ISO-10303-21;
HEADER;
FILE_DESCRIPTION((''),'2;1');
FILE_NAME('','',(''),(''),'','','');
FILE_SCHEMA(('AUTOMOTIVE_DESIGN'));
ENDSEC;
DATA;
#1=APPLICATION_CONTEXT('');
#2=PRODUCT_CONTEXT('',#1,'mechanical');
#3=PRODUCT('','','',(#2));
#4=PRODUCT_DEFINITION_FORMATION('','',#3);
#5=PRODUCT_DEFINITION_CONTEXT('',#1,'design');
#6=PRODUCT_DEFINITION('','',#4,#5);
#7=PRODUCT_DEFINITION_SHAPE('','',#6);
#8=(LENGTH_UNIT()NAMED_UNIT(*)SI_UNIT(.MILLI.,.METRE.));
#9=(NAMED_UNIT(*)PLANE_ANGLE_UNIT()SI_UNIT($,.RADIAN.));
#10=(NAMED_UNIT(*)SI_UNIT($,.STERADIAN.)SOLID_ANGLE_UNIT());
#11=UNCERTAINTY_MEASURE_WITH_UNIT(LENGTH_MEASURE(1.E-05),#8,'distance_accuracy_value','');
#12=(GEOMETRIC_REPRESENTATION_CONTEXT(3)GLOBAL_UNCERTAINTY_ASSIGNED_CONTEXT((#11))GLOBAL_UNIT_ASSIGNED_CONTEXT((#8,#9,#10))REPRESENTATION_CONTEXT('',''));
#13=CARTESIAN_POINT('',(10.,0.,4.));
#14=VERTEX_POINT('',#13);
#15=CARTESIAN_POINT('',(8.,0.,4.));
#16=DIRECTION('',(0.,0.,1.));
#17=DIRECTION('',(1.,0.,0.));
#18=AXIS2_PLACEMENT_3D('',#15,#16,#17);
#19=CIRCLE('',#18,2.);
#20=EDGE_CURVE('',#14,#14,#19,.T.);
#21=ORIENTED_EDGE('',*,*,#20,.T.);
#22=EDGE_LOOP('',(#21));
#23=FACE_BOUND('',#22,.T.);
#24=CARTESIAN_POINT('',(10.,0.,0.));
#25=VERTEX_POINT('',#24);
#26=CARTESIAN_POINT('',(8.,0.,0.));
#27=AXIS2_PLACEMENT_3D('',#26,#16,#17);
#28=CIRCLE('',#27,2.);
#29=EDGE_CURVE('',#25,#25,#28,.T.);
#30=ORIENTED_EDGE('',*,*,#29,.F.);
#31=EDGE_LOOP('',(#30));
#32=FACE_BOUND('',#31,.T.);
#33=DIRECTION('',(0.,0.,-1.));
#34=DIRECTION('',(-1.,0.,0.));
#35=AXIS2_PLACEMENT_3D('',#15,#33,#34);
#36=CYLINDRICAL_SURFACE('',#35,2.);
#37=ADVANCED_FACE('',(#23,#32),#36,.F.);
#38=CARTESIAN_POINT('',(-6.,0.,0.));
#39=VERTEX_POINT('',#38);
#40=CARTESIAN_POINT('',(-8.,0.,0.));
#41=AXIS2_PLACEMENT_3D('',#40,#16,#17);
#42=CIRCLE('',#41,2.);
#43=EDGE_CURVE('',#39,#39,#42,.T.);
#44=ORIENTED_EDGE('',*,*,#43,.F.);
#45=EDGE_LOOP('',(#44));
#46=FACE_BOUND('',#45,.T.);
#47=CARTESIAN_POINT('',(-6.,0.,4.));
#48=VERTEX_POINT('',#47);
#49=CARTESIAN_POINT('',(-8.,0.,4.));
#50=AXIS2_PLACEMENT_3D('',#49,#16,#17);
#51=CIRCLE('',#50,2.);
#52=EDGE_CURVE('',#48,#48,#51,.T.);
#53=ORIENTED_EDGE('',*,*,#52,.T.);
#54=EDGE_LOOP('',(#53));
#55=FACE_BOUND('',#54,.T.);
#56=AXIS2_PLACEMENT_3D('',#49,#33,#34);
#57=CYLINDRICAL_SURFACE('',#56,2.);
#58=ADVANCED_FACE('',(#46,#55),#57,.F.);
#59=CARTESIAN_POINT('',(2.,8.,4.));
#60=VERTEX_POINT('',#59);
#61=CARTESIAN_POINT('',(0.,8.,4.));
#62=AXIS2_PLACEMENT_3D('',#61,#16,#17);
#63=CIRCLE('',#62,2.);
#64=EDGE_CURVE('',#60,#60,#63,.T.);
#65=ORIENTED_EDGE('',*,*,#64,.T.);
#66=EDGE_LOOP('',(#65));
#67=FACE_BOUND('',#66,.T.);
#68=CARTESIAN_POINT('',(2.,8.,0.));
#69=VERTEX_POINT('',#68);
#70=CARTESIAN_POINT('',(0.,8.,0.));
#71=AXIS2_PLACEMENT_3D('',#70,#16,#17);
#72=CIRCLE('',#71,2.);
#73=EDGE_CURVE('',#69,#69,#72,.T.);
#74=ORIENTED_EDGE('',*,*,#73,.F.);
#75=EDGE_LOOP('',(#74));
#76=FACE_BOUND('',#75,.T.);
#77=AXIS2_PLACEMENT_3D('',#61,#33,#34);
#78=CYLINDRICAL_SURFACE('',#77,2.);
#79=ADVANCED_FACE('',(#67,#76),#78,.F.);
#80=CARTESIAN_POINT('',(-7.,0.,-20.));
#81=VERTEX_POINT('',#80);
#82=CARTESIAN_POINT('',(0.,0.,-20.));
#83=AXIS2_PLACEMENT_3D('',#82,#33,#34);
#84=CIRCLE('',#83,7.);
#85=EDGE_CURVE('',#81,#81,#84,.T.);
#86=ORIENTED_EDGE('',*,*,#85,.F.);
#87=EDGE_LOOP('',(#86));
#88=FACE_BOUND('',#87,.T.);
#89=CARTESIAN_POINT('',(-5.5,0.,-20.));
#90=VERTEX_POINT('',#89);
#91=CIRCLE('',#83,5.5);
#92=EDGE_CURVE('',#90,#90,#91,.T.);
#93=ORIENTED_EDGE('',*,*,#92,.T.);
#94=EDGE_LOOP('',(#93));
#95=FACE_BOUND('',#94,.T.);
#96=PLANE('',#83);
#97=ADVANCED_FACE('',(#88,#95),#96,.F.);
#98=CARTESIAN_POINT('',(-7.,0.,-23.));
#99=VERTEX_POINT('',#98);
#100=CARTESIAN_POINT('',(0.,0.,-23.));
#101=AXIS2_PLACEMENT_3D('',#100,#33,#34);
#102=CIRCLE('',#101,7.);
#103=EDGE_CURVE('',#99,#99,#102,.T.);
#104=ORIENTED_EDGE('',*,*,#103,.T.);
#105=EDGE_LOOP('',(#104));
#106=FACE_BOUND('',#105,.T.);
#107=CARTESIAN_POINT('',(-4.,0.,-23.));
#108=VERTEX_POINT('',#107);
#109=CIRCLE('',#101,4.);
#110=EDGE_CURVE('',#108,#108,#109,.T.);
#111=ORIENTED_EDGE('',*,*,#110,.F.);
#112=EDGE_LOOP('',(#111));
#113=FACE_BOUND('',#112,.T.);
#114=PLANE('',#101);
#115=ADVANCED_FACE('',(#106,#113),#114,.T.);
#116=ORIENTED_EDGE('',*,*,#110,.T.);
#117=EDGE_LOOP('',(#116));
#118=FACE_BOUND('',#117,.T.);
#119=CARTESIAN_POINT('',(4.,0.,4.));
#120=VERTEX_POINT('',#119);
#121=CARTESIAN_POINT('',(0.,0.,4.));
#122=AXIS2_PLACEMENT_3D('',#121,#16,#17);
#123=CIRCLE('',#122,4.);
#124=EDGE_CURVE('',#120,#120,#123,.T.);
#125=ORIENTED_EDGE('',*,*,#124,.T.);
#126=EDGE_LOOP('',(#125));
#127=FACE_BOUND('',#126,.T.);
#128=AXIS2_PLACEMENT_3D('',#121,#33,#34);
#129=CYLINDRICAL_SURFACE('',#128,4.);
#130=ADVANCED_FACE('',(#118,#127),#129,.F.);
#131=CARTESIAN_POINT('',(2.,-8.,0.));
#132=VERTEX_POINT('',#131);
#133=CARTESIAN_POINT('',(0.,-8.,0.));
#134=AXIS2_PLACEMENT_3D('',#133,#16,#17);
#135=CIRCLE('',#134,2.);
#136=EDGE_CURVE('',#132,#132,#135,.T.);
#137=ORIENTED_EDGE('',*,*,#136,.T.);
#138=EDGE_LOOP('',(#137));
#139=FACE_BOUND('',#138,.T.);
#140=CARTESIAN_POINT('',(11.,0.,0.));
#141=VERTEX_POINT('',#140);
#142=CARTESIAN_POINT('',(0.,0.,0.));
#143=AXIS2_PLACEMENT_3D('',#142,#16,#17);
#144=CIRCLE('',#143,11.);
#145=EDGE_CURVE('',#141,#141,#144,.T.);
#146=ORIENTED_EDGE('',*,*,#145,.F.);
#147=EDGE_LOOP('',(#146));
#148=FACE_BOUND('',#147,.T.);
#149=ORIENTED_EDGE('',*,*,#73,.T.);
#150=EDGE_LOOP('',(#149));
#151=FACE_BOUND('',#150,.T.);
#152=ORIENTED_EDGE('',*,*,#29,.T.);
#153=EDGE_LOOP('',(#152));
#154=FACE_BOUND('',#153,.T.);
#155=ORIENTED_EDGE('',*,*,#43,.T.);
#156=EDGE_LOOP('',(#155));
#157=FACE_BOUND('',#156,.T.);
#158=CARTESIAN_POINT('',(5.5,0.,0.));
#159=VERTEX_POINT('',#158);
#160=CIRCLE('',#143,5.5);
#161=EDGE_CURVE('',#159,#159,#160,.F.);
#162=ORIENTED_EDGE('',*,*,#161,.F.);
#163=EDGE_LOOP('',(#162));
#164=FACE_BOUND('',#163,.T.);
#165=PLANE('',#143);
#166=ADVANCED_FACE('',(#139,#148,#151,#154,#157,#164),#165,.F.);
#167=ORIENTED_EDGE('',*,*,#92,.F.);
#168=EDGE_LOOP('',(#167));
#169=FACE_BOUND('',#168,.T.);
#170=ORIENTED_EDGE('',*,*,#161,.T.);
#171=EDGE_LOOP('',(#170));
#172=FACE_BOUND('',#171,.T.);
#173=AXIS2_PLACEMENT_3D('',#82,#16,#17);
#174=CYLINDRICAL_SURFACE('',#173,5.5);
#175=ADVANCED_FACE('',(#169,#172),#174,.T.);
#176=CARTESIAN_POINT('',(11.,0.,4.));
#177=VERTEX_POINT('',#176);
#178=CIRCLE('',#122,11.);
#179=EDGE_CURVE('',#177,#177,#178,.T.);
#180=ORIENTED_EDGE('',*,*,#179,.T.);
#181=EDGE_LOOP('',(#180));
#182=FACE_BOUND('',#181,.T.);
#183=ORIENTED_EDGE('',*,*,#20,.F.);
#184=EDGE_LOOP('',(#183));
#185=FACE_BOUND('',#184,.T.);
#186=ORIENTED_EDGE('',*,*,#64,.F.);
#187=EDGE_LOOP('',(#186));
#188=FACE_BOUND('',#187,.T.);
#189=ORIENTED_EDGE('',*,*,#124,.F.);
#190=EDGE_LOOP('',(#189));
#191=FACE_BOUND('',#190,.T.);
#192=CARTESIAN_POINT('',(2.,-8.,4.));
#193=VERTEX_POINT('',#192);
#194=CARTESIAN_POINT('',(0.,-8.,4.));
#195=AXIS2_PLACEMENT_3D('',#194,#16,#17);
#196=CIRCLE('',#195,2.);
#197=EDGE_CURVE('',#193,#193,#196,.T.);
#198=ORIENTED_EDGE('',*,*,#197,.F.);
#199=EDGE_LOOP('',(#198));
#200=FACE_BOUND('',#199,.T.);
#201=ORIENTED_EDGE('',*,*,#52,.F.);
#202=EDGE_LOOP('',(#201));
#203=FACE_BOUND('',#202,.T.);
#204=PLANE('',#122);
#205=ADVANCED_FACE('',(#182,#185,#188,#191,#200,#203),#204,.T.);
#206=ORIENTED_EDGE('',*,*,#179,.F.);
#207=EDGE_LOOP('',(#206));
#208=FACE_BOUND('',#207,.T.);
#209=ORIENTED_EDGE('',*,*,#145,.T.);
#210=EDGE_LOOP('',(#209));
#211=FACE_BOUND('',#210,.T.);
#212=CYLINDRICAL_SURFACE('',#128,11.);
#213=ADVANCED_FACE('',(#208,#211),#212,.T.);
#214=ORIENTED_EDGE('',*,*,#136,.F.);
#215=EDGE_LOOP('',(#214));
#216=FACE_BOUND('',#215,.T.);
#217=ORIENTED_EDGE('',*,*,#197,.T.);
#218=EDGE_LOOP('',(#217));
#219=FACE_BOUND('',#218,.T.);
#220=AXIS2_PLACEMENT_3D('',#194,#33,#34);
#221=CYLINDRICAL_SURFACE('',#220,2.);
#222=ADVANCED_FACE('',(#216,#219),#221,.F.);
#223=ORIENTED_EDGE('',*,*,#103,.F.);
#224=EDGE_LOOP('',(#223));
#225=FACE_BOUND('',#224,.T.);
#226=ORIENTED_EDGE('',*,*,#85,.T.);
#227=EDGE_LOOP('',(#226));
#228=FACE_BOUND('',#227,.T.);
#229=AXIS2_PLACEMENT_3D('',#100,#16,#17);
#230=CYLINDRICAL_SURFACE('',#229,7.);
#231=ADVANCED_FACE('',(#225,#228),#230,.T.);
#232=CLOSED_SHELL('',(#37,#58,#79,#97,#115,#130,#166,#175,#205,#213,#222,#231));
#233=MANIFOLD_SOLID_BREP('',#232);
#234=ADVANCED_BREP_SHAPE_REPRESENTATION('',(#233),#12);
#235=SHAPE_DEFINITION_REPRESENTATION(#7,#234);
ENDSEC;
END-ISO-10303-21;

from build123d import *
from build123d.topology import SkipClean

# Parameters (mm, degrees)
SKETCH_1_R      = 11
SKETCH_1_R_2    = 2
SKETCH_1_R_3    = 4
EXTRUDE_1_DEPTH = 4
EXTRUDE_START   = 20
SKETCH_2_R      = 5.5
SKETCH_2_R_2    = 4
EXTRUDE_2_DEPTH = 20
EXTRUDE_START_2 = 3
SKETCH_3_R      = 7
SKETCH_3_R_2    = 4
EXTRUDE_3_DEPTH = 3


with BuildPart() as part:
    # 草图1 → 凸台-拉伸1 (new body)
    with BuildSketch(Plane.XY):
        Circle(SKETCH_1_R)
        with Locations((0, 8)):
            Circle(SKETCH_1_R_2, mode=Mode.SUBTRACT)
        with Locations((8, 0)):
            Circle(SKETCH_1_R_2, mode=Mode.SUBTRACT)
        with Locations((0, -8)):
            Circle(SKETCH_1_R_2, mode=Mode.SUBTRACT)
        with Locations((-8, 0)):
            Circle(SKETCH_1_R_2, mode=Mode.SUBTRACT)
        Circle(SKETCH_1_R_3, mode=Mode.SUBTRACT)
    extrude(amount=EXTRUDE_1_DEPTH)

    # 草图2 → 凸台-拉伸2 (add)
    with SkipClean():  # the faces are left unmerged after this step: merging them gives an invalid solid
        with BuildSketch(Plane(origin=(0, 0, 0), x_dir=(-1, 0, 0), z_dir=(0, 0, -1)).offset(EXTRUDE_START)):
            with Locations(Location((0, 0, 0), (0, 0, 180))):
                Circle(SKETCH_2_R)
            Circle(SKETCH_2_R_2, mode=Mode.SUBTRACT)
        extrude(amount=-EXTRUDE_2_DEPTH)

    # 草图3 → 凸台-拉伸3 (add)
    with SkipClean():  # the faces are left unmerged after this step: merging them gives an invalid solid
        with BuildSketch(Plane(origin=(0, 0, -20), x_dir=(-1, 0, 0), z_dir=(0, 0, -1)).offset(EXTRUDE_START_2)):
            Circle(SKETCH_3_R)
            Circle(SKETCH_3_R_2, mode=Mode.SUBTRACT)
        extrude(amount=-EXTRUDE_3_DEPTH)


solid = part.part
